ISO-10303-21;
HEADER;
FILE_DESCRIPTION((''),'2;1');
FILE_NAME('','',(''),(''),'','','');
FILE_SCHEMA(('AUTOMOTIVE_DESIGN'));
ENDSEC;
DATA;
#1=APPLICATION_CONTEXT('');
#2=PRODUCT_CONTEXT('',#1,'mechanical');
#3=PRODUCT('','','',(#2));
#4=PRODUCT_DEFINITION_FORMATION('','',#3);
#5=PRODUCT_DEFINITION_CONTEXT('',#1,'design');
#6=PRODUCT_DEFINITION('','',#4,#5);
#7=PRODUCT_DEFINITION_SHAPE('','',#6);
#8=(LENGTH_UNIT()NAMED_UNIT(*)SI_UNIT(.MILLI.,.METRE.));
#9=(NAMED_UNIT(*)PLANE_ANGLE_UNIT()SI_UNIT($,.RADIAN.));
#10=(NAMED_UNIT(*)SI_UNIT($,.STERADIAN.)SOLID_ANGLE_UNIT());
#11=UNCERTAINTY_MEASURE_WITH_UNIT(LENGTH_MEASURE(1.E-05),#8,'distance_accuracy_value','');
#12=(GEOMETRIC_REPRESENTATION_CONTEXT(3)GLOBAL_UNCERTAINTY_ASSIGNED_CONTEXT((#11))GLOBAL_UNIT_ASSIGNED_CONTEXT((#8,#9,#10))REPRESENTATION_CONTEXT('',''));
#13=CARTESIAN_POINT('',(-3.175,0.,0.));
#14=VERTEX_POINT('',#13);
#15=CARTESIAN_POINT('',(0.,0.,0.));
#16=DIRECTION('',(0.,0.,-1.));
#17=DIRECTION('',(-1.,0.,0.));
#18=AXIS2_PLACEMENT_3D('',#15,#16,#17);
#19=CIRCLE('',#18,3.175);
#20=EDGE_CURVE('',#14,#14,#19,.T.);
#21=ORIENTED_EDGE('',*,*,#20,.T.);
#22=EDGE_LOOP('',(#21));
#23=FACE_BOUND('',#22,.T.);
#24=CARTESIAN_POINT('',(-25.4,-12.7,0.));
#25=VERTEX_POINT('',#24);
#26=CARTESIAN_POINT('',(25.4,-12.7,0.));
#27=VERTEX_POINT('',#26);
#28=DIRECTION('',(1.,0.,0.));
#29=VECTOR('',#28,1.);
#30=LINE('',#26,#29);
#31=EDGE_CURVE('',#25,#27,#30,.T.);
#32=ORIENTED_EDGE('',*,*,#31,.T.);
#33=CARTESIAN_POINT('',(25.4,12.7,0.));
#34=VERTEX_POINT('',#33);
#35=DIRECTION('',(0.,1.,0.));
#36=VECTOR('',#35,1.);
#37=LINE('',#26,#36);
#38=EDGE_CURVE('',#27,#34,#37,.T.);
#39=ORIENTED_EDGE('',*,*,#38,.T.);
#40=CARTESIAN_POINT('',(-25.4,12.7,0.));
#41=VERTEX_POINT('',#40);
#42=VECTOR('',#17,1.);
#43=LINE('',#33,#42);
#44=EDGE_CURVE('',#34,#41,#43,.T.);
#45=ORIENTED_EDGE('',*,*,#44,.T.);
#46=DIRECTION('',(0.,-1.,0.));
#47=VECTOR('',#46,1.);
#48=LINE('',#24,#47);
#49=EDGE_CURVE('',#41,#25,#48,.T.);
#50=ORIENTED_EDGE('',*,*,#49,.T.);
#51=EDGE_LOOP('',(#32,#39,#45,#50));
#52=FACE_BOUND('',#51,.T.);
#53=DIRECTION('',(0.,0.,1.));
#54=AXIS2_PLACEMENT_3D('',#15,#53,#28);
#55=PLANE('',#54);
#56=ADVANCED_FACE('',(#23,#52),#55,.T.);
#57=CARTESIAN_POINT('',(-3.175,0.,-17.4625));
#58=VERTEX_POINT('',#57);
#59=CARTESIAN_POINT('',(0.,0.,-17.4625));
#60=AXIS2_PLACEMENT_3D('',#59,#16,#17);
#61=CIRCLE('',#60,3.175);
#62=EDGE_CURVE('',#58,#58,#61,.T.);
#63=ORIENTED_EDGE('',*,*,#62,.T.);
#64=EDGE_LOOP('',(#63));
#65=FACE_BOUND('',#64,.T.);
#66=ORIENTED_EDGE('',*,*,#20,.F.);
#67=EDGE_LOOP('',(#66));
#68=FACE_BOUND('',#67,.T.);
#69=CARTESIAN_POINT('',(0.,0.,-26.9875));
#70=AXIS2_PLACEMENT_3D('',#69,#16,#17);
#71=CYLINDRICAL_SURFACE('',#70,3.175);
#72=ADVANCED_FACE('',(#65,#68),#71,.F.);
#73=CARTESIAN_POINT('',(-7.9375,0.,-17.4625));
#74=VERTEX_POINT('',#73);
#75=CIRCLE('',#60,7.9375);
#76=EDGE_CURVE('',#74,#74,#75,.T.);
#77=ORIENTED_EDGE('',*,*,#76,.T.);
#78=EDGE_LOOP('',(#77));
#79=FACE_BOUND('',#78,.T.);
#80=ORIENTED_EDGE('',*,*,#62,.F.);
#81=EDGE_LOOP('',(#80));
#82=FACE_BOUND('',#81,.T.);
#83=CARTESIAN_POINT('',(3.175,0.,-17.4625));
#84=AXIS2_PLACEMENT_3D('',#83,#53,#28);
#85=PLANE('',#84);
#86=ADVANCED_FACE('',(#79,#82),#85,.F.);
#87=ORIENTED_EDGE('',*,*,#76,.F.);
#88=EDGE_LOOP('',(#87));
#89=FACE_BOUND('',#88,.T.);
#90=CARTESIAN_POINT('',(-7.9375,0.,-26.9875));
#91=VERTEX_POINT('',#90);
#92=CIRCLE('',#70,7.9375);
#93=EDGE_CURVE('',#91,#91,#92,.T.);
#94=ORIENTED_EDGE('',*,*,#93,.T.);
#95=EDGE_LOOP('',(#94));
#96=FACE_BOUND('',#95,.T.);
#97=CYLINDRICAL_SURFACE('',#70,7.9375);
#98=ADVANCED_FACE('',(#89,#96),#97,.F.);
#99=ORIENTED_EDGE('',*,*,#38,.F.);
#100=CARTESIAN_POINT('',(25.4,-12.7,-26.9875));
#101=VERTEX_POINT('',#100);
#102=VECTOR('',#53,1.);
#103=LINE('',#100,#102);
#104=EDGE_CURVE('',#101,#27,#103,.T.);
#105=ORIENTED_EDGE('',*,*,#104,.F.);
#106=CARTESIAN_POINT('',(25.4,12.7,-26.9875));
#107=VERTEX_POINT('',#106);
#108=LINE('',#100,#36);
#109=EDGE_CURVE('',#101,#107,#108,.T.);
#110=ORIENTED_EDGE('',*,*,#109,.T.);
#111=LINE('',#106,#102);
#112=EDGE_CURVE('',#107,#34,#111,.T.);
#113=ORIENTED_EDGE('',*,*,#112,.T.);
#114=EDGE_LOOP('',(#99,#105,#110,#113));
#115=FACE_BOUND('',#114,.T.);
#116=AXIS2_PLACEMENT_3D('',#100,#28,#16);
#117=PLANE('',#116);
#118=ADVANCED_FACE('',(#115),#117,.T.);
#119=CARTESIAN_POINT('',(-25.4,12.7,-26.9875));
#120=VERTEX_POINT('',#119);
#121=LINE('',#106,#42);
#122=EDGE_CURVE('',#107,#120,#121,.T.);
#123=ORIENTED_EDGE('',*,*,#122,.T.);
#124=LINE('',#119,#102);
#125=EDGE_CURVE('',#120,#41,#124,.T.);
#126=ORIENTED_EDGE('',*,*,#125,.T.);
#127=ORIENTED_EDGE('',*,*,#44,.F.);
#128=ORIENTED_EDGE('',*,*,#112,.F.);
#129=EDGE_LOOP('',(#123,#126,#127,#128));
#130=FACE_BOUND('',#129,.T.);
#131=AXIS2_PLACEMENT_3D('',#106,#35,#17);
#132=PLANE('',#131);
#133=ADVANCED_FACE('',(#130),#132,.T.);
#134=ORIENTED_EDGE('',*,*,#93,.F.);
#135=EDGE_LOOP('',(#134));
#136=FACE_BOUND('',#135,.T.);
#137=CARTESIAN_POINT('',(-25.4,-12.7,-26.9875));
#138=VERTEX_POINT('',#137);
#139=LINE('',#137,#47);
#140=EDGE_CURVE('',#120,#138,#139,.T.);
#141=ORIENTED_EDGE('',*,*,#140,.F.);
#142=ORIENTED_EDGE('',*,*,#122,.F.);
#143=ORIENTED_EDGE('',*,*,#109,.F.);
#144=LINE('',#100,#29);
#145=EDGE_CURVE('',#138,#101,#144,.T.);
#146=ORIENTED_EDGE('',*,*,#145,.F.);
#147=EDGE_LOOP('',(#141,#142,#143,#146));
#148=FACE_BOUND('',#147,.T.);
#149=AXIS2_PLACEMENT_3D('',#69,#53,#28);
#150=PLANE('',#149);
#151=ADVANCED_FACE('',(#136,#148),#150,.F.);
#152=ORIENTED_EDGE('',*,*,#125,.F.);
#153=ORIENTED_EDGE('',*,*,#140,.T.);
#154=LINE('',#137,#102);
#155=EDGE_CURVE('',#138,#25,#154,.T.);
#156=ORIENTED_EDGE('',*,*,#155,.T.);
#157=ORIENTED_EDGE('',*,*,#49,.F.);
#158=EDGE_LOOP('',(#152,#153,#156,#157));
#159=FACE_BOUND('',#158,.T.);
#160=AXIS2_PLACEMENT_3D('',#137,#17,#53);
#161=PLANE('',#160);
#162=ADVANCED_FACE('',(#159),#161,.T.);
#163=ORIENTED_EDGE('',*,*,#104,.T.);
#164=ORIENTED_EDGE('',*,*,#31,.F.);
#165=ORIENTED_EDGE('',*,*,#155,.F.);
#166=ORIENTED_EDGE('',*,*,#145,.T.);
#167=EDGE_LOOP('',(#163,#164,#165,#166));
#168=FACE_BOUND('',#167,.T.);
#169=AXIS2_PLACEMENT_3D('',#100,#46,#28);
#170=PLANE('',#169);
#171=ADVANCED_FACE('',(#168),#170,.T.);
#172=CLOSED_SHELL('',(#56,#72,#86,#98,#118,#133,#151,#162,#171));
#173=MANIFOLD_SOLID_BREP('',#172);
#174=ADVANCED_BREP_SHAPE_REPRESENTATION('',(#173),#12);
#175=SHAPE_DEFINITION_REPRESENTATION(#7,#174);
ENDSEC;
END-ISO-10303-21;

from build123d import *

# Parameters (mm, degrees)
SKETCH1_W                                           = 50.8
SKETCH1_H                                           = 25.4
BOSS_EXTRUDE1_DEPTH                                 = 26.9875
CBORE_FOR_0_BINDING_HEAD_MACHINE_SCREW1_D           = 6.35
CBORE_FOR_0_BINDING_HEAD_MACHINE_SCREW1_CBORE_D     = 15.875
CBORE_FOR_0_BINDING_HEAD_MACHINE_SCREW1_CBORE_DEPTH = 9.525


with BuildPart() as part:
    # Sketch1 → Boss-Extrude1 (new body)
    with BuildSketch(Plane.XY):
        Rectangle(SKETCH1_W, SKETCH1_H)
    extrude(amount=-BOSS_EXTRUDE1_DEPTH)

    # CBORE for #0 Binding Head Machine Screw1 (through all)
    with Locations(Plane(origin=(0, 0, -26.9875), x_dir=(-1, 0, 0), z_dir=(0, 0, -1))):
        with Locations((0, 0)):
            CounterBoreHole(CBORE_FOR_0_BINDING_HEAD_MACHINE_SCREW1_D / 2, CBORE_FOR_0_BINDING_HEAD_MACHINE_SCREW1_CBORE_D / 2, CBORE_FOR_0_BINDING_HEAD_MACHINE_SCREW1_CBORE_DEPTH)


solid = part.part
